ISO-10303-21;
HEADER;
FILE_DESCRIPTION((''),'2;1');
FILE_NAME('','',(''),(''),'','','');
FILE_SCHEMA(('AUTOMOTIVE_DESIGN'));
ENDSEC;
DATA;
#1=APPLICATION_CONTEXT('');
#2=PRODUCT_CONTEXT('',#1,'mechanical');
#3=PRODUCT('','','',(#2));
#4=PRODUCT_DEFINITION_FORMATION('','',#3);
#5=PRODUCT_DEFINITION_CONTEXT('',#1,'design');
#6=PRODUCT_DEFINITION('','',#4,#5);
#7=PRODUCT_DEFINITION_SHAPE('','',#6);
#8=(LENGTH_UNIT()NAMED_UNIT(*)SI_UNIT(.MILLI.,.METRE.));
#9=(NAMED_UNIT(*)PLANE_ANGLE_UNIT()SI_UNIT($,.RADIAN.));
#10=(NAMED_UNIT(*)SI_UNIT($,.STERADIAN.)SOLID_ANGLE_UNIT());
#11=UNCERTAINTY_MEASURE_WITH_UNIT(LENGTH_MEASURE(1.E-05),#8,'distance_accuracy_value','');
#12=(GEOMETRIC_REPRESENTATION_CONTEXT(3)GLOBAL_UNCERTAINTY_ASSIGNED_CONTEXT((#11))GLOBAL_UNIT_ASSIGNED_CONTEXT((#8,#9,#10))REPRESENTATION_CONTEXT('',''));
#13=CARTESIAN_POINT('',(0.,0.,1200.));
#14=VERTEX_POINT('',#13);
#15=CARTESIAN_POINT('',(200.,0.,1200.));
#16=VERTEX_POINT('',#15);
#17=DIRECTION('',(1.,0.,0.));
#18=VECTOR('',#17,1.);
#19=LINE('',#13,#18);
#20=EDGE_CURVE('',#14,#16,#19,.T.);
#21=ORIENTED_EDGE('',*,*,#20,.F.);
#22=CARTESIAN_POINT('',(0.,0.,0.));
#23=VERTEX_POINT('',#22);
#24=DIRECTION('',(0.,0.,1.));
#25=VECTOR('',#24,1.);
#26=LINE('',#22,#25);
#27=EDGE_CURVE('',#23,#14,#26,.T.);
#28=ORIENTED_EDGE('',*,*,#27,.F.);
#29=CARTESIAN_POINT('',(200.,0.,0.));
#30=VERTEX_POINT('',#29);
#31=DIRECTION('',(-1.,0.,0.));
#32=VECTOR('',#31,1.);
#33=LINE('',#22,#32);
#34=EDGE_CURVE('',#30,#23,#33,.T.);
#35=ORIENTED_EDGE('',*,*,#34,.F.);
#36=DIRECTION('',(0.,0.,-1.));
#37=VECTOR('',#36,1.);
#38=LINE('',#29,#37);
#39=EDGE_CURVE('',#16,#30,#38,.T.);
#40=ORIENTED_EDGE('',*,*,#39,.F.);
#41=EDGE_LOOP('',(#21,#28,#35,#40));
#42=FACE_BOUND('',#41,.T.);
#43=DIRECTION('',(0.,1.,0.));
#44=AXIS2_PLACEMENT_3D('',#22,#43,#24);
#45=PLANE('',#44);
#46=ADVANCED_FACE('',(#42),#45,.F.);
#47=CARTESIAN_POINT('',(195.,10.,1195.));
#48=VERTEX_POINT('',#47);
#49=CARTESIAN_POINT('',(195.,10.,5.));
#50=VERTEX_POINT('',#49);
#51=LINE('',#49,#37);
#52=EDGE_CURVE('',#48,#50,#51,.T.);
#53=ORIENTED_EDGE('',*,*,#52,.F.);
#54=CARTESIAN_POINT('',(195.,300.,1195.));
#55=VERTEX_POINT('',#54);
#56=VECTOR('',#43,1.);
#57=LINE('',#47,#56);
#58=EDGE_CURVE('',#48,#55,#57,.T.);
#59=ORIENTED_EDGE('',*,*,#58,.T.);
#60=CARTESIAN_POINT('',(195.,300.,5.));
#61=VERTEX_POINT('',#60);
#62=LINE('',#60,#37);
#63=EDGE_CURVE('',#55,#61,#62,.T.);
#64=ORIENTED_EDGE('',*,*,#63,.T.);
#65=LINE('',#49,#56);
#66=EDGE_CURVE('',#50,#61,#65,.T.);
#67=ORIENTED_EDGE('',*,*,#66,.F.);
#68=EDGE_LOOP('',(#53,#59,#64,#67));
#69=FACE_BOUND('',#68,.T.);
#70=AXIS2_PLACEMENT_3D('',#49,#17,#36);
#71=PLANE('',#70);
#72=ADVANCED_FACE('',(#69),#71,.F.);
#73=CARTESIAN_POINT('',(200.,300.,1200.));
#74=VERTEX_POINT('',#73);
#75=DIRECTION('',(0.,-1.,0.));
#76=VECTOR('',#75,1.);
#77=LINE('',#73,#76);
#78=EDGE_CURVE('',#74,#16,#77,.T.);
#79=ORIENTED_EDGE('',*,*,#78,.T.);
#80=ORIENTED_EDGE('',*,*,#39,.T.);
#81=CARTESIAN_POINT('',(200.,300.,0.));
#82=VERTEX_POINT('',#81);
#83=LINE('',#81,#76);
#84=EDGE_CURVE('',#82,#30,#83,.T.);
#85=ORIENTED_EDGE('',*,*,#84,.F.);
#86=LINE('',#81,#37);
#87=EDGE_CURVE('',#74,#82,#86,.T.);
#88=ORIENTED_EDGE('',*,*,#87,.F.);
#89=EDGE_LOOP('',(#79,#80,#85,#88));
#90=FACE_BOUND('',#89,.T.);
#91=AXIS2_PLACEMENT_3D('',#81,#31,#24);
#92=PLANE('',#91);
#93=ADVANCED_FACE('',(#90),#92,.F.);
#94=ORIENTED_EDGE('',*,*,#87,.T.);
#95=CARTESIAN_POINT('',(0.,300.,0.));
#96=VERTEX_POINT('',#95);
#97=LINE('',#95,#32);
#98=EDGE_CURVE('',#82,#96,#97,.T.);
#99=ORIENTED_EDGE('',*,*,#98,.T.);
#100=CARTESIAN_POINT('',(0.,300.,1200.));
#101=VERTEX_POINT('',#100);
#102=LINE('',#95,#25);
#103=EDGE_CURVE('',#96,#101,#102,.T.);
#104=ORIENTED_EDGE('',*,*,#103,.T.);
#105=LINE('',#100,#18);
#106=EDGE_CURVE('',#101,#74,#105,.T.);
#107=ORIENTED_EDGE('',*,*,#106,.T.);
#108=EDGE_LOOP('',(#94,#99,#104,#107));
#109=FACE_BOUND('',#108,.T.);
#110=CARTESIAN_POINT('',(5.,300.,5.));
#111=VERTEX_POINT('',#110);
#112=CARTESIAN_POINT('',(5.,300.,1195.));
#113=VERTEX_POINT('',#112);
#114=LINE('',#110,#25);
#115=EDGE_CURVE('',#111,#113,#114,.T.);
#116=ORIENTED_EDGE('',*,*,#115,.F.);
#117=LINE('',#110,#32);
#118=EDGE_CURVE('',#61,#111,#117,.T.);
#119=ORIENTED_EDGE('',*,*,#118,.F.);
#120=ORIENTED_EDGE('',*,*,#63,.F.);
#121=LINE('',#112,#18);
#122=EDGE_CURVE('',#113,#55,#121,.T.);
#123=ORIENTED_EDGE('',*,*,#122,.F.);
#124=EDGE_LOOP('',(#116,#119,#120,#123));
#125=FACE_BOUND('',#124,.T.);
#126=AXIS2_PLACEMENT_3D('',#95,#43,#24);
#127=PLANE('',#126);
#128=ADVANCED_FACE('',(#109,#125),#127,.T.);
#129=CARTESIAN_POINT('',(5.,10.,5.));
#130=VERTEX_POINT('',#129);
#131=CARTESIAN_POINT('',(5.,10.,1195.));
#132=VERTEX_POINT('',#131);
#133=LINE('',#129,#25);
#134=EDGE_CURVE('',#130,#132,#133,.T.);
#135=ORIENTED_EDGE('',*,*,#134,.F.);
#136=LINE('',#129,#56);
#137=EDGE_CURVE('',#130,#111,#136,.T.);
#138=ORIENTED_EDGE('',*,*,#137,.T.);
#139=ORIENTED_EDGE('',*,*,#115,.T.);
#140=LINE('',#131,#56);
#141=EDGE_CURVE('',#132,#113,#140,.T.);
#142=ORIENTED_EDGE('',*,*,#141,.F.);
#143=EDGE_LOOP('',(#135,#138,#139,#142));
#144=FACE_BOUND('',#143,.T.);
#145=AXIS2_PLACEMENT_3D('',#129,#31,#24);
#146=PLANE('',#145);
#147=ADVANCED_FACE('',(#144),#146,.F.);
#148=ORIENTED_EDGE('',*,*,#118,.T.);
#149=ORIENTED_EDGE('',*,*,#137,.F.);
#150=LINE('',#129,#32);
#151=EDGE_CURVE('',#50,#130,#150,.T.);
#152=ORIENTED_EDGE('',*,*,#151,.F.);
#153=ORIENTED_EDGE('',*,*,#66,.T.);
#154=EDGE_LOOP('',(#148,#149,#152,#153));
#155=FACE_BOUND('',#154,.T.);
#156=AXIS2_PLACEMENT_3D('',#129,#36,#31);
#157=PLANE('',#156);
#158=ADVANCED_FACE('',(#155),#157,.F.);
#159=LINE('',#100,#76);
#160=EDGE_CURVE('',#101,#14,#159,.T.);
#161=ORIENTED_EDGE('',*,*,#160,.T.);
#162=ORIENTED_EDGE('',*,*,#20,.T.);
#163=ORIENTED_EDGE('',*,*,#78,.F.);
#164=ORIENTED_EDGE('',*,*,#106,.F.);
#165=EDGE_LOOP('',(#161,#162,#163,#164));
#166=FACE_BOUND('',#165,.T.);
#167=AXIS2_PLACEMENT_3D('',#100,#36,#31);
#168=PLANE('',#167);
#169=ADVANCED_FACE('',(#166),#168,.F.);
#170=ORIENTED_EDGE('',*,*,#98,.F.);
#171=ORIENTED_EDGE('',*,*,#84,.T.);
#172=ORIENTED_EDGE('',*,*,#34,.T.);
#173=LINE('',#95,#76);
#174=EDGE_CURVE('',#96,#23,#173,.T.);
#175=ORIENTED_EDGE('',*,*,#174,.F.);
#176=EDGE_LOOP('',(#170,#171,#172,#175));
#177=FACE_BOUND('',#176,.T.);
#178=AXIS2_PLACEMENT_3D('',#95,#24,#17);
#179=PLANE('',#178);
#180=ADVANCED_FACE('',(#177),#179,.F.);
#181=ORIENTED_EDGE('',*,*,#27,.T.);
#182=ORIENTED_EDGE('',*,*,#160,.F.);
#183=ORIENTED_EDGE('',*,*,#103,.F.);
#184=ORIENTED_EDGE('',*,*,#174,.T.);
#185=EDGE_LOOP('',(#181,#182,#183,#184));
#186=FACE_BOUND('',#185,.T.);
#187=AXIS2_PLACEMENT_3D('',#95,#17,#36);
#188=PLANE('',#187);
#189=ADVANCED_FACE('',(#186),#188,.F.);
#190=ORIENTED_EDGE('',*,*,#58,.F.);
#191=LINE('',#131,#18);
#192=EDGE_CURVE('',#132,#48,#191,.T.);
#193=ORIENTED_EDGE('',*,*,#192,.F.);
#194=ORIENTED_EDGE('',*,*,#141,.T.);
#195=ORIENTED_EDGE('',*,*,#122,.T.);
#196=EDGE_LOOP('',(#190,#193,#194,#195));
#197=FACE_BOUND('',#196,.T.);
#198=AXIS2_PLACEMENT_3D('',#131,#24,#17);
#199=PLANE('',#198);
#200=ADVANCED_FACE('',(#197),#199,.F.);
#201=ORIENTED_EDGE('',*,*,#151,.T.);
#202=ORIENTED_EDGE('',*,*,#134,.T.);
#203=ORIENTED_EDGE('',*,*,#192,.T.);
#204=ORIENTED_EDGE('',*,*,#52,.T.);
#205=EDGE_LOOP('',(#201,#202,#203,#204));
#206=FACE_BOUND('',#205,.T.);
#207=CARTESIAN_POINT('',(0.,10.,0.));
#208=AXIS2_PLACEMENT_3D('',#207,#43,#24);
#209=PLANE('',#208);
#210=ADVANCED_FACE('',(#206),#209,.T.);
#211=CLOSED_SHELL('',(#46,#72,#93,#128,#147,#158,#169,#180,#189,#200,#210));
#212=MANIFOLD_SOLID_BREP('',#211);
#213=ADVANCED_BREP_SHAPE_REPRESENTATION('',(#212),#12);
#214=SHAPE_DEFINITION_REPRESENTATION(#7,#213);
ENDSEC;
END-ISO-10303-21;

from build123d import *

# Parameters (mm, degrees)
SKETCH1_W           = 200
SKETCH1_H           = 1200
BOSS_EXTRUDE1_DEPTH = 300
SKETCH2_W           = 190
SKETCH2_H           = 1190
CUT_EXTRUDE1_DEPTH  = 290


with BuildPart() as part:
    # Sketch1 → Boss-Extrude1 (new body)
    with BuildSketch(Plane(origin=(0, 0, 0), x_dir=(1, 0, 0), z_dir=(0, 1, 0))):
        with Locations((100, -600)):
            Rectangle(SKETCH1_W, SKETCH1_H)
    extrude(amount=BOSS_EXTRUDE1_DEPTH)

    # Sketch2 → Cut-Extrude1 (cut)
    with BuildSketch(Plane(origin=(0, 300, 0), x_dir=(1, 0, 0), z_dir=(0, 1, 0))):
        with Locations((100, -600)):
            Rectangle(SKETCH2_W, SKETCH2_H)
    extrude(amount=-CUT_EXTRUDE1_DEPTH, mode=Mode.SUBTRACT)


solid = part.part
